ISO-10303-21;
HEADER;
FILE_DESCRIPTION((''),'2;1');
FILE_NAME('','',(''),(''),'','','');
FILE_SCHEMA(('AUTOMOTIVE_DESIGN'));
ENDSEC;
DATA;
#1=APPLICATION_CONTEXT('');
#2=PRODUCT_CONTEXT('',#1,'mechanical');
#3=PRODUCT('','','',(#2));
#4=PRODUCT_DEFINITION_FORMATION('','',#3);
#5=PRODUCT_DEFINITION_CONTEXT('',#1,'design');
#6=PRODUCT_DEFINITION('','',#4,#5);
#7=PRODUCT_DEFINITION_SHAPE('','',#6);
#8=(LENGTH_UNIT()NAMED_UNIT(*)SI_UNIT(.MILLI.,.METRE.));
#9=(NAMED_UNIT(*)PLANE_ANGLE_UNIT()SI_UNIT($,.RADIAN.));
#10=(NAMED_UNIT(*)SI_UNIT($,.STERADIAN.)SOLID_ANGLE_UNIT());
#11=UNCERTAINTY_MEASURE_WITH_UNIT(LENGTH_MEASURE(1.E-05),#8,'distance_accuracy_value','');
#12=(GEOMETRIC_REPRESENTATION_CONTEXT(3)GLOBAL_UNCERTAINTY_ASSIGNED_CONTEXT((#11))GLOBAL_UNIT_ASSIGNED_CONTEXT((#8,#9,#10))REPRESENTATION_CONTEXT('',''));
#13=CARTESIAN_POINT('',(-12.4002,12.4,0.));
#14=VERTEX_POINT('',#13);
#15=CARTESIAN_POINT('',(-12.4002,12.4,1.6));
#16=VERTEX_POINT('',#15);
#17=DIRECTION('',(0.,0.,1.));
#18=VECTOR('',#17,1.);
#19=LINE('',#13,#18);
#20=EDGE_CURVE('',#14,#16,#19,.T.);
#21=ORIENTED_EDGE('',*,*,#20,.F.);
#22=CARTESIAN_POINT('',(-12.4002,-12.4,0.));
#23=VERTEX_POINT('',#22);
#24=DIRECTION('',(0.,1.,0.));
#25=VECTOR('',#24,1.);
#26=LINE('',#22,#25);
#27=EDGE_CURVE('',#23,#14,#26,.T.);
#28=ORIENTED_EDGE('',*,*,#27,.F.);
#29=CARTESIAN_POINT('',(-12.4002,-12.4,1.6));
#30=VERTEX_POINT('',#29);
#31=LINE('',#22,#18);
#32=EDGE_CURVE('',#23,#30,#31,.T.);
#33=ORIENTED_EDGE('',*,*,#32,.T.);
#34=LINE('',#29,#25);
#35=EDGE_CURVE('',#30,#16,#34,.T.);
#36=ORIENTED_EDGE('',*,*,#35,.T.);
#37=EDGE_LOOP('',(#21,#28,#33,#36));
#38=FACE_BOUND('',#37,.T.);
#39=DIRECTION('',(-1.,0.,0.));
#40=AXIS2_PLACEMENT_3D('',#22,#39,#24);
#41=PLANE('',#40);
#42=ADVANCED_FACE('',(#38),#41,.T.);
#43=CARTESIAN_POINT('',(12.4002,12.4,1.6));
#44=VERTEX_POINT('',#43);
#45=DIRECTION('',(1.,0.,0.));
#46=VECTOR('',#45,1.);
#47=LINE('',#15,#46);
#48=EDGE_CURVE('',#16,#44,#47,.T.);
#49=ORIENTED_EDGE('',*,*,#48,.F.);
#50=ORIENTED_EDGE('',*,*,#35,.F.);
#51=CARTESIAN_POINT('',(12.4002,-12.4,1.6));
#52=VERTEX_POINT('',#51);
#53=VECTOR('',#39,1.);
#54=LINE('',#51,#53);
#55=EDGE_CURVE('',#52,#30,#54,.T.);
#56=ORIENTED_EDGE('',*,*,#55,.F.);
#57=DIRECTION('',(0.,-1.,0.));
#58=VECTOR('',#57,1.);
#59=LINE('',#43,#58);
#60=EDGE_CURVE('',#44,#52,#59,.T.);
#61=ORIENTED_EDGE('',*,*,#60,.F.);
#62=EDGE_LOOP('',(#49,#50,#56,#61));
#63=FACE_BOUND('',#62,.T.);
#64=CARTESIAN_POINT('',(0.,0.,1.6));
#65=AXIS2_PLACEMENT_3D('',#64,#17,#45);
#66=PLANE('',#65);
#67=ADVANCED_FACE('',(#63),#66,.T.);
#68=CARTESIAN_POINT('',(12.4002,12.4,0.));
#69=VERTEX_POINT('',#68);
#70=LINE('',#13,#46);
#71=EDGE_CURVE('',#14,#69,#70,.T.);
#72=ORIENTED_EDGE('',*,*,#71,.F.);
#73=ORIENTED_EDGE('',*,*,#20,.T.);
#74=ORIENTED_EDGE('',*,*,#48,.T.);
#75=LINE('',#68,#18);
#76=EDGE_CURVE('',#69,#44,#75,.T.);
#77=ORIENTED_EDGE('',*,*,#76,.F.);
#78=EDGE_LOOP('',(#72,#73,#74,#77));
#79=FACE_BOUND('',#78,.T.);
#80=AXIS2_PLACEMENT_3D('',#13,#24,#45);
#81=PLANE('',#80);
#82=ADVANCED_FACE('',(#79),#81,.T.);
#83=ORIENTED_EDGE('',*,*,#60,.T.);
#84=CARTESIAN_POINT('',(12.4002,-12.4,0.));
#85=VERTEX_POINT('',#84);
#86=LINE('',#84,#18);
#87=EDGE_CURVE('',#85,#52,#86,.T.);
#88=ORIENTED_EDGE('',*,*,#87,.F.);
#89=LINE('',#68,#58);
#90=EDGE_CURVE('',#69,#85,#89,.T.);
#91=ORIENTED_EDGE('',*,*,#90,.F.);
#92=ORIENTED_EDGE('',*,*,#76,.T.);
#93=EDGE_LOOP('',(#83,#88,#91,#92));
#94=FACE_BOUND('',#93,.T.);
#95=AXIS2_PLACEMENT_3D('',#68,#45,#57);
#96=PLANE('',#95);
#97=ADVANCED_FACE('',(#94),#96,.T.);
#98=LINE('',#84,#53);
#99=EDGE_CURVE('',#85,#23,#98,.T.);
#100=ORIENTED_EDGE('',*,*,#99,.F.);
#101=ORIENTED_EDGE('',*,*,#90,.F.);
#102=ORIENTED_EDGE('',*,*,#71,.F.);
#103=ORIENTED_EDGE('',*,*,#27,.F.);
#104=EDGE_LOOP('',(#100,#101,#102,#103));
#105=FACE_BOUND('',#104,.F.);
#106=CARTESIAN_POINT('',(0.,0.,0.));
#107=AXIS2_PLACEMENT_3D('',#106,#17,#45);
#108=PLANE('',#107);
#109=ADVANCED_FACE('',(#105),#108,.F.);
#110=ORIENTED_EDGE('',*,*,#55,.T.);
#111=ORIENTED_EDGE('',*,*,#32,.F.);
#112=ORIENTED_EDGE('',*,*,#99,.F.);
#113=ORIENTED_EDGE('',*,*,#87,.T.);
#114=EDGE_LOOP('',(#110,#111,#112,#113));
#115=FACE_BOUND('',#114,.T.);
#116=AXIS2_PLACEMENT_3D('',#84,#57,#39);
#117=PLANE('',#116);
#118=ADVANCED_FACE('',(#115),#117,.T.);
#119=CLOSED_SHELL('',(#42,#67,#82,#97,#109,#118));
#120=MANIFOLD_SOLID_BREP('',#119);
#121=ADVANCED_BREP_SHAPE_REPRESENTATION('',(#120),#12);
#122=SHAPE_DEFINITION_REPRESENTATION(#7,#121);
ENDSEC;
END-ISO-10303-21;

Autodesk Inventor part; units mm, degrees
ref_plane "YZ Plane" through (0, 0, 0) normal (1, 0, 0) x (0, 1, 0)
ref_plane "XZ Plane" through (0, 0, 0) normal (0, 1, 0) x (-1, 0, 0)
ref_plane "XY Plane" through (0, 0, 0) normal (0, 0, 1) x (1, 0, 0)
sketch "Sketch1" plane through (0, 0, 0) normal (0, 0, 1) x (1, 0, 0)
  point P0 (0, 0)
sketch "Sketch2" plane through (0, 0, 0) normal (0, 0, 1) x (1, 0, 0)
  line L0 (-12.4002, 12.4) -> (12.4002, 12.4)
  line L1 (12.4002, 12.4) -> (12.4002, -12.4)
  line L2 (12.4002, -12.4) -> (-12.4002, -12.4)
  line L3 (-12.4002, -12.4) -> (-12.4002, 12.4)
  line L4 (-12.4002, 12.4) -> (12.4002, -12.4) construction
  line L5 (12.4002, 12.4) -> (-12.4002, -12.4) construction
  point P0 (0, 0)
extrude "Extrusion1" add sketch "Sketch2" along normal blind 1.6
properties part number "enclosure_front_plate"
